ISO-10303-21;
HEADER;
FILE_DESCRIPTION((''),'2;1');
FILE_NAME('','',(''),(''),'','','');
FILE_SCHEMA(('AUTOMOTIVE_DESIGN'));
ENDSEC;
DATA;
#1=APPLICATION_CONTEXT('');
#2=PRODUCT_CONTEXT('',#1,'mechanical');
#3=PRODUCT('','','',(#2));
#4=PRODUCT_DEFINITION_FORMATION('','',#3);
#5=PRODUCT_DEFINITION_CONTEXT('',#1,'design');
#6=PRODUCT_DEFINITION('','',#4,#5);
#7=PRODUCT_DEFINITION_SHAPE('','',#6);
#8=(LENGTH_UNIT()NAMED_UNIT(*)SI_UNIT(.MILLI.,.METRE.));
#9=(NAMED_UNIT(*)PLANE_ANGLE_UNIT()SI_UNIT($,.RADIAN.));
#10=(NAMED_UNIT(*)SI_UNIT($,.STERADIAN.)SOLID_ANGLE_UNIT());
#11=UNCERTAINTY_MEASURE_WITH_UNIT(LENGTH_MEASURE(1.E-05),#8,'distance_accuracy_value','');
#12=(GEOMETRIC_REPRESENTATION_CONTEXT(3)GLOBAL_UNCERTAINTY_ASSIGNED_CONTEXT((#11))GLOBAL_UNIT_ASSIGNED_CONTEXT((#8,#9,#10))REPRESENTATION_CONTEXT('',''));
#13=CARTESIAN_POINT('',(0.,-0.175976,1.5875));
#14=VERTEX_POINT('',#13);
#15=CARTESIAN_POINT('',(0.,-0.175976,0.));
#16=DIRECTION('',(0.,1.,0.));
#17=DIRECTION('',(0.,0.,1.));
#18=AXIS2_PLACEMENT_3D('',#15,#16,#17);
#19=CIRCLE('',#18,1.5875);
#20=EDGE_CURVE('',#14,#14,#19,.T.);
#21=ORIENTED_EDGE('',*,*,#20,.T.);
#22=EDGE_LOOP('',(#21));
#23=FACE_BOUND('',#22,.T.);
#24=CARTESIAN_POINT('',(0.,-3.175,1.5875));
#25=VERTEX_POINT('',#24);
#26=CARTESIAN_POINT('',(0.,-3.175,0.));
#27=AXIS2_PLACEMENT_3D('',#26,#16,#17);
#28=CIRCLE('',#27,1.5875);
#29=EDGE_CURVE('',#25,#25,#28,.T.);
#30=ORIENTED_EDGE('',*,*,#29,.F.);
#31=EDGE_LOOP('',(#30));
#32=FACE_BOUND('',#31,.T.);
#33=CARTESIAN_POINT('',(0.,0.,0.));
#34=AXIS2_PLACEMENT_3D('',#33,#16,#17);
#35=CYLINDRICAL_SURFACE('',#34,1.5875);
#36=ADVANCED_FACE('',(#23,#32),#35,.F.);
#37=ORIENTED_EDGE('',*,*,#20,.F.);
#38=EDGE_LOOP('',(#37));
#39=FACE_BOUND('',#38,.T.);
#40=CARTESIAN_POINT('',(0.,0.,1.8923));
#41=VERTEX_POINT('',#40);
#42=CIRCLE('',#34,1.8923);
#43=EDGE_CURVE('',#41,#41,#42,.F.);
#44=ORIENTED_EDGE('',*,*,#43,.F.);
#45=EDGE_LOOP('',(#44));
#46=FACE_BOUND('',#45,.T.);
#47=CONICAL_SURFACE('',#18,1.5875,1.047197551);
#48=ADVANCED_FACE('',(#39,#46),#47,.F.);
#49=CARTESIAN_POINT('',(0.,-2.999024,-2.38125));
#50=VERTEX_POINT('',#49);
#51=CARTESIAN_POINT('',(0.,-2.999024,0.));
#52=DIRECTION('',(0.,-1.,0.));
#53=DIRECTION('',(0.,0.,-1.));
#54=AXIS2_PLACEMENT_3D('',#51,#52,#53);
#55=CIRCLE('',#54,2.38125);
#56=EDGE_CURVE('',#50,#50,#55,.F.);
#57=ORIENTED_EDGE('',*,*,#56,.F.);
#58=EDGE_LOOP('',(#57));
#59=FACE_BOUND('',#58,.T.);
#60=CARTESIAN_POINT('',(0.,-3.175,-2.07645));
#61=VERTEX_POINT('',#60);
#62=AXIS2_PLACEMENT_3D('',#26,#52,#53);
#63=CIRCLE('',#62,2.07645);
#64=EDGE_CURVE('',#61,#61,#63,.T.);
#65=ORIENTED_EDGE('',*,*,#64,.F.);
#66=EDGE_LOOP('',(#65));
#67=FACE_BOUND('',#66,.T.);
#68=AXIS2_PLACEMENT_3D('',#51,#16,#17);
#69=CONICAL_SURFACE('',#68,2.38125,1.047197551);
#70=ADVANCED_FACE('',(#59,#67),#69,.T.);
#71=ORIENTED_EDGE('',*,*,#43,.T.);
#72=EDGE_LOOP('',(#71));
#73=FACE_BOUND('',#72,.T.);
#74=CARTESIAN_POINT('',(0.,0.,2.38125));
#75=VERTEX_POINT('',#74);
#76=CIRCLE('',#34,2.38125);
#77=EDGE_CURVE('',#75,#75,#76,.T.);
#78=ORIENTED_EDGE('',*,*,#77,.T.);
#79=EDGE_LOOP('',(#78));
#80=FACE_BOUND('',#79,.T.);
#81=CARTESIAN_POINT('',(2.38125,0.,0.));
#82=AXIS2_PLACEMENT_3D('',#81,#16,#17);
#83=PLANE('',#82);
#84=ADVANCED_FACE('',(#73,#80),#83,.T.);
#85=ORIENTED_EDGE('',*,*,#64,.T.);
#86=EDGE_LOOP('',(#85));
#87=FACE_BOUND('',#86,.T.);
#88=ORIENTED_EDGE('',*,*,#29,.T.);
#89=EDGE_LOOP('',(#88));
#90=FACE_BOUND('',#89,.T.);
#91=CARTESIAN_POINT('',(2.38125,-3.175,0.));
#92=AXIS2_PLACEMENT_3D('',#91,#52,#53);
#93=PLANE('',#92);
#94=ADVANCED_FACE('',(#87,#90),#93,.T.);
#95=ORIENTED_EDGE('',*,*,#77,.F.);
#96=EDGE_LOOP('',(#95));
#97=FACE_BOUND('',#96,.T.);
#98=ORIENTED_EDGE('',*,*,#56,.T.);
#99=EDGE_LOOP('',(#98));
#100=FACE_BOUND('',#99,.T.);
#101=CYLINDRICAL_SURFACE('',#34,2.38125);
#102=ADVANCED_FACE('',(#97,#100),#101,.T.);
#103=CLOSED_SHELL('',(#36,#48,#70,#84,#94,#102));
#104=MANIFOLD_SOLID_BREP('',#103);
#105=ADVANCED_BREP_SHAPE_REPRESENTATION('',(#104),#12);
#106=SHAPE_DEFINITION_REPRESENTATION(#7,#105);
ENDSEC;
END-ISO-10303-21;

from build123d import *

# Parameters (mm, degrees)
SKETCH1_W             = 0.79375
SKETCH1_H             = 3.175
CHAMFER1_SIZE         = 0.3048
CHAMFER1_SIZE2        = 0.175976362
CHAMFER1_PART_2_SIZE  = 0.3048
CHAMFER1_PART_2_SIZE2 = 0.175976362


with BuildPart() as part:
    # Sketch1 → Revolve1 (revolve)
    with BuildSketch(Plane(origin=(0, 0, 0), x_dir=(1, 0, 0), z_dir=(0, 0, -1))):
        with Locations((1.984375, 1.5875)):
            Rectangle(SKETCH1_W, SKETCH1_H)
    revolve(axis=Axis((0, 0, 0), (0, -1, 0)))

    # Chamfer1
    chamfer1_edges = [part.edges().sort_by_distance(p)[0] for p in [
        (-1.5875, 0, 0),
    ]]
    chamfer1_side = [part.faces().sort_by_distance(p)[0] for p in [
        (-2.313898079, 0, 0),
    ]]
    chamfer(chamfer1_edges, length=CHAMFER1_SIZE, length2=CHAMFER1_SIZE2, reference=chamfer1_side[0])

    # Chamfer1 part 2
    chamfer1_part_2_edges = [part.edges().sort_by_distance(p)[0] for p in [
        (-2.38125, -3.175, 0),
    ]]
    chamfer1_part_2_side = [part.faces().sort_by_distance(p)[0] for p in [
        (-1.654851921, -3.175, 0),
    ]]
    chamfer(chamfer1_part_2_edges, length=CHAMFER1_PART_2_SIZE, length2=CHAMFER1_PART_2_SIZE2, reference=chamfer1_part_2_side[0])


solid = part.part
